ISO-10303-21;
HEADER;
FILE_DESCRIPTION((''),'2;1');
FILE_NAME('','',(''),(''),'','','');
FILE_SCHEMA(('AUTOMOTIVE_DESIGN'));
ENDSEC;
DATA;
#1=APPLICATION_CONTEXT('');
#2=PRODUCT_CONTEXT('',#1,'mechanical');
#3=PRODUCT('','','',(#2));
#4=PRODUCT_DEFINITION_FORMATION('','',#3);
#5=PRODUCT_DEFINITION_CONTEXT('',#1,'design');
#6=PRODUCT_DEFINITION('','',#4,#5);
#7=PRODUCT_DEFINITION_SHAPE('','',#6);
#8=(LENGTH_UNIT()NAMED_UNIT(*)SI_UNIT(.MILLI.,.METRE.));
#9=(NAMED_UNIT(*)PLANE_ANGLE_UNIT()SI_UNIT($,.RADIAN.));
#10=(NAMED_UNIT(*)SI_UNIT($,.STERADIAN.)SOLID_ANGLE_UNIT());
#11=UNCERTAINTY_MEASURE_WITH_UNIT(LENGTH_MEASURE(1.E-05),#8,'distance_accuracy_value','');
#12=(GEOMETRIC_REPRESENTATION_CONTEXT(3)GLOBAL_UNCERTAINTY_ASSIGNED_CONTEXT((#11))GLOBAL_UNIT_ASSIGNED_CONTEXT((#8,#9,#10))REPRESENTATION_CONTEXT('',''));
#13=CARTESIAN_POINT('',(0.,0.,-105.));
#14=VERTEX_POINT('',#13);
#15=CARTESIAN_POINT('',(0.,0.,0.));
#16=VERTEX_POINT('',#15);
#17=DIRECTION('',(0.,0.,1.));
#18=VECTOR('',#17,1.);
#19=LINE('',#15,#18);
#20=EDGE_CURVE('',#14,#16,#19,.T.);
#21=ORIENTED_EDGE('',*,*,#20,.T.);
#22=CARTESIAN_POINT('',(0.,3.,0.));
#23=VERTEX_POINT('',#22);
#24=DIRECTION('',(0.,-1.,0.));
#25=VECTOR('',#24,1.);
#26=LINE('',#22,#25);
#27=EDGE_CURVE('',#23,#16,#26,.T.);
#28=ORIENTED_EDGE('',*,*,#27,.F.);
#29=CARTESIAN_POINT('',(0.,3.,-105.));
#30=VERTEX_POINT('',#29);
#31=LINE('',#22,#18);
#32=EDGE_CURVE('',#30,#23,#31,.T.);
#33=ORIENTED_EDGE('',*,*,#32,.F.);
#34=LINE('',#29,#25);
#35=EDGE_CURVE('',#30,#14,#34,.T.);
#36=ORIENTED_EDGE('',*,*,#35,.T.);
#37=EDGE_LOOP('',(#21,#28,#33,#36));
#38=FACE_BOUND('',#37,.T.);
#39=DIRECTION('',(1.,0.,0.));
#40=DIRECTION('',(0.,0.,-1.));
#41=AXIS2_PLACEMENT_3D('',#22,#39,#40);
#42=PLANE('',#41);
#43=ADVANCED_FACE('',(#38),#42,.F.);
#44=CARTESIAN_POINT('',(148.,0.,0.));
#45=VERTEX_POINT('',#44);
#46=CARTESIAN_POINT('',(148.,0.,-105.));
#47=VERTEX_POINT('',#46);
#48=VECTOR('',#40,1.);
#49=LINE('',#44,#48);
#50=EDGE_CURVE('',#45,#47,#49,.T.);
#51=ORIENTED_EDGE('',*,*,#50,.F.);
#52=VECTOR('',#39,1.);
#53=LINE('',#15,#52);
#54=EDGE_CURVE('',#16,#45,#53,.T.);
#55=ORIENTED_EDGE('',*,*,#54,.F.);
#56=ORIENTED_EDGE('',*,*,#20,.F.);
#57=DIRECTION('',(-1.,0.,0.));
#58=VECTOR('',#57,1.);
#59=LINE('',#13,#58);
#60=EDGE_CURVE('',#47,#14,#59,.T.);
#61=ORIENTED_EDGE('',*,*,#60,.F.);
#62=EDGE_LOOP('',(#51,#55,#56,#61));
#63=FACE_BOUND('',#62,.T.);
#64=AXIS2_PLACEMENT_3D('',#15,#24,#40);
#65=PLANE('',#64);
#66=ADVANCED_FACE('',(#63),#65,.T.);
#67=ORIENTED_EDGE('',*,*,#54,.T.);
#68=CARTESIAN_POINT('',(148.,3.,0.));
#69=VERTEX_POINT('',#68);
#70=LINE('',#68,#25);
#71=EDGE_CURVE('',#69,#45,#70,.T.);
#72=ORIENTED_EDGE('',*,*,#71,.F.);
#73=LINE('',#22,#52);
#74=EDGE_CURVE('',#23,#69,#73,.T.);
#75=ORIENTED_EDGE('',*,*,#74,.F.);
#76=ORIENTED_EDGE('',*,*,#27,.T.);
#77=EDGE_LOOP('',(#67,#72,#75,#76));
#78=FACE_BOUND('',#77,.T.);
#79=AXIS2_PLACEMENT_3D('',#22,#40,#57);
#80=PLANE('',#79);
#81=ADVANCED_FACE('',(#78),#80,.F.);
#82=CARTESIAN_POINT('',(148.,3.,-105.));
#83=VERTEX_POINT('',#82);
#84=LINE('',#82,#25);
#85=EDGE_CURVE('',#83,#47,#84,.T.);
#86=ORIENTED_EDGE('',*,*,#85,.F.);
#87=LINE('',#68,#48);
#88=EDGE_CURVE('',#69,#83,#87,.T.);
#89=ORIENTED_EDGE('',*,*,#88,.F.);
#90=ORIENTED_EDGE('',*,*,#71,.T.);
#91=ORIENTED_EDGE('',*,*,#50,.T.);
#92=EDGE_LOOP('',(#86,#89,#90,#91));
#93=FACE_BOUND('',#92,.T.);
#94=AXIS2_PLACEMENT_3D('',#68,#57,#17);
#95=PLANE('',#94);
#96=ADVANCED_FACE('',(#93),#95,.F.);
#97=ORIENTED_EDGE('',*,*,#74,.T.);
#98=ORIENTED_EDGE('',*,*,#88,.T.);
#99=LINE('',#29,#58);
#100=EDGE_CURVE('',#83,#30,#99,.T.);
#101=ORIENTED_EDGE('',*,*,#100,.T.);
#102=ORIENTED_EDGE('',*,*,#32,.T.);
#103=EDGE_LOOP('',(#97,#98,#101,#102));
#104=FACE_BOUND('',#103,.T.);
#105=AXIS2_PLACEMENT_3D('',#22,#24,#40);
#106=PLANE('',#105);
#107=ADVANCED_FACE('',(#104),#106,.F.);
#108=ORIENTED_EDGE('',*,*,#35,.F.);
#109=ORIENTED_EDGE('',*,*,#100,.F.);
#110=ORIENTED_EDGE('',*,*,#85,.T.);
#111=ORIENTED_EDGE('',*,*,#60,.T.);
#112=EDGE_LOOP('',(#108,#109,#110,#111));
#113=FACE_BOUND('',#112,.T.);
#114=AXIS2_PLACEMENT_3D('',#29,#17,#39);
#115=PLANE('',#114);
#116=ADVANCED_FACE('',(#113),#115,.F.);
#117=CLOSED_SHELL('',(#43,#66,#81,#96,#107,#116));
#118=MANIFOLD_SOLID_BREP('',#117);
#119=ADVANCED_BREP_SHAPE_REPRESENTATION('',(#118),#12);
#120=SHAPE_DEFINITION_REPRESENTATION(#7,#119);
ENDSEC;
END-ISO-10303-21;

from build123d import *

# Parameters (mm, degrees)
SKETCH_1_W      = 148
SKETCH_1_H      = 105
EXTRUDE_1_DEPTH = 3


with BuildPart() as part:
    # 스케치1 → 보스-돌출1 (new body)
    with BuildSketch(Plane(origin=(0, 0, 0), x_dir=(1, 0, 0), z_dir=(0, 1, 0))):
        with Locations((74, 52.5)):
            Rectangle(SKETCH_1_W, SKETCH_1_H)
    extrude(amount=EXTRUDE_1_DEPTH)


solid = part.part
